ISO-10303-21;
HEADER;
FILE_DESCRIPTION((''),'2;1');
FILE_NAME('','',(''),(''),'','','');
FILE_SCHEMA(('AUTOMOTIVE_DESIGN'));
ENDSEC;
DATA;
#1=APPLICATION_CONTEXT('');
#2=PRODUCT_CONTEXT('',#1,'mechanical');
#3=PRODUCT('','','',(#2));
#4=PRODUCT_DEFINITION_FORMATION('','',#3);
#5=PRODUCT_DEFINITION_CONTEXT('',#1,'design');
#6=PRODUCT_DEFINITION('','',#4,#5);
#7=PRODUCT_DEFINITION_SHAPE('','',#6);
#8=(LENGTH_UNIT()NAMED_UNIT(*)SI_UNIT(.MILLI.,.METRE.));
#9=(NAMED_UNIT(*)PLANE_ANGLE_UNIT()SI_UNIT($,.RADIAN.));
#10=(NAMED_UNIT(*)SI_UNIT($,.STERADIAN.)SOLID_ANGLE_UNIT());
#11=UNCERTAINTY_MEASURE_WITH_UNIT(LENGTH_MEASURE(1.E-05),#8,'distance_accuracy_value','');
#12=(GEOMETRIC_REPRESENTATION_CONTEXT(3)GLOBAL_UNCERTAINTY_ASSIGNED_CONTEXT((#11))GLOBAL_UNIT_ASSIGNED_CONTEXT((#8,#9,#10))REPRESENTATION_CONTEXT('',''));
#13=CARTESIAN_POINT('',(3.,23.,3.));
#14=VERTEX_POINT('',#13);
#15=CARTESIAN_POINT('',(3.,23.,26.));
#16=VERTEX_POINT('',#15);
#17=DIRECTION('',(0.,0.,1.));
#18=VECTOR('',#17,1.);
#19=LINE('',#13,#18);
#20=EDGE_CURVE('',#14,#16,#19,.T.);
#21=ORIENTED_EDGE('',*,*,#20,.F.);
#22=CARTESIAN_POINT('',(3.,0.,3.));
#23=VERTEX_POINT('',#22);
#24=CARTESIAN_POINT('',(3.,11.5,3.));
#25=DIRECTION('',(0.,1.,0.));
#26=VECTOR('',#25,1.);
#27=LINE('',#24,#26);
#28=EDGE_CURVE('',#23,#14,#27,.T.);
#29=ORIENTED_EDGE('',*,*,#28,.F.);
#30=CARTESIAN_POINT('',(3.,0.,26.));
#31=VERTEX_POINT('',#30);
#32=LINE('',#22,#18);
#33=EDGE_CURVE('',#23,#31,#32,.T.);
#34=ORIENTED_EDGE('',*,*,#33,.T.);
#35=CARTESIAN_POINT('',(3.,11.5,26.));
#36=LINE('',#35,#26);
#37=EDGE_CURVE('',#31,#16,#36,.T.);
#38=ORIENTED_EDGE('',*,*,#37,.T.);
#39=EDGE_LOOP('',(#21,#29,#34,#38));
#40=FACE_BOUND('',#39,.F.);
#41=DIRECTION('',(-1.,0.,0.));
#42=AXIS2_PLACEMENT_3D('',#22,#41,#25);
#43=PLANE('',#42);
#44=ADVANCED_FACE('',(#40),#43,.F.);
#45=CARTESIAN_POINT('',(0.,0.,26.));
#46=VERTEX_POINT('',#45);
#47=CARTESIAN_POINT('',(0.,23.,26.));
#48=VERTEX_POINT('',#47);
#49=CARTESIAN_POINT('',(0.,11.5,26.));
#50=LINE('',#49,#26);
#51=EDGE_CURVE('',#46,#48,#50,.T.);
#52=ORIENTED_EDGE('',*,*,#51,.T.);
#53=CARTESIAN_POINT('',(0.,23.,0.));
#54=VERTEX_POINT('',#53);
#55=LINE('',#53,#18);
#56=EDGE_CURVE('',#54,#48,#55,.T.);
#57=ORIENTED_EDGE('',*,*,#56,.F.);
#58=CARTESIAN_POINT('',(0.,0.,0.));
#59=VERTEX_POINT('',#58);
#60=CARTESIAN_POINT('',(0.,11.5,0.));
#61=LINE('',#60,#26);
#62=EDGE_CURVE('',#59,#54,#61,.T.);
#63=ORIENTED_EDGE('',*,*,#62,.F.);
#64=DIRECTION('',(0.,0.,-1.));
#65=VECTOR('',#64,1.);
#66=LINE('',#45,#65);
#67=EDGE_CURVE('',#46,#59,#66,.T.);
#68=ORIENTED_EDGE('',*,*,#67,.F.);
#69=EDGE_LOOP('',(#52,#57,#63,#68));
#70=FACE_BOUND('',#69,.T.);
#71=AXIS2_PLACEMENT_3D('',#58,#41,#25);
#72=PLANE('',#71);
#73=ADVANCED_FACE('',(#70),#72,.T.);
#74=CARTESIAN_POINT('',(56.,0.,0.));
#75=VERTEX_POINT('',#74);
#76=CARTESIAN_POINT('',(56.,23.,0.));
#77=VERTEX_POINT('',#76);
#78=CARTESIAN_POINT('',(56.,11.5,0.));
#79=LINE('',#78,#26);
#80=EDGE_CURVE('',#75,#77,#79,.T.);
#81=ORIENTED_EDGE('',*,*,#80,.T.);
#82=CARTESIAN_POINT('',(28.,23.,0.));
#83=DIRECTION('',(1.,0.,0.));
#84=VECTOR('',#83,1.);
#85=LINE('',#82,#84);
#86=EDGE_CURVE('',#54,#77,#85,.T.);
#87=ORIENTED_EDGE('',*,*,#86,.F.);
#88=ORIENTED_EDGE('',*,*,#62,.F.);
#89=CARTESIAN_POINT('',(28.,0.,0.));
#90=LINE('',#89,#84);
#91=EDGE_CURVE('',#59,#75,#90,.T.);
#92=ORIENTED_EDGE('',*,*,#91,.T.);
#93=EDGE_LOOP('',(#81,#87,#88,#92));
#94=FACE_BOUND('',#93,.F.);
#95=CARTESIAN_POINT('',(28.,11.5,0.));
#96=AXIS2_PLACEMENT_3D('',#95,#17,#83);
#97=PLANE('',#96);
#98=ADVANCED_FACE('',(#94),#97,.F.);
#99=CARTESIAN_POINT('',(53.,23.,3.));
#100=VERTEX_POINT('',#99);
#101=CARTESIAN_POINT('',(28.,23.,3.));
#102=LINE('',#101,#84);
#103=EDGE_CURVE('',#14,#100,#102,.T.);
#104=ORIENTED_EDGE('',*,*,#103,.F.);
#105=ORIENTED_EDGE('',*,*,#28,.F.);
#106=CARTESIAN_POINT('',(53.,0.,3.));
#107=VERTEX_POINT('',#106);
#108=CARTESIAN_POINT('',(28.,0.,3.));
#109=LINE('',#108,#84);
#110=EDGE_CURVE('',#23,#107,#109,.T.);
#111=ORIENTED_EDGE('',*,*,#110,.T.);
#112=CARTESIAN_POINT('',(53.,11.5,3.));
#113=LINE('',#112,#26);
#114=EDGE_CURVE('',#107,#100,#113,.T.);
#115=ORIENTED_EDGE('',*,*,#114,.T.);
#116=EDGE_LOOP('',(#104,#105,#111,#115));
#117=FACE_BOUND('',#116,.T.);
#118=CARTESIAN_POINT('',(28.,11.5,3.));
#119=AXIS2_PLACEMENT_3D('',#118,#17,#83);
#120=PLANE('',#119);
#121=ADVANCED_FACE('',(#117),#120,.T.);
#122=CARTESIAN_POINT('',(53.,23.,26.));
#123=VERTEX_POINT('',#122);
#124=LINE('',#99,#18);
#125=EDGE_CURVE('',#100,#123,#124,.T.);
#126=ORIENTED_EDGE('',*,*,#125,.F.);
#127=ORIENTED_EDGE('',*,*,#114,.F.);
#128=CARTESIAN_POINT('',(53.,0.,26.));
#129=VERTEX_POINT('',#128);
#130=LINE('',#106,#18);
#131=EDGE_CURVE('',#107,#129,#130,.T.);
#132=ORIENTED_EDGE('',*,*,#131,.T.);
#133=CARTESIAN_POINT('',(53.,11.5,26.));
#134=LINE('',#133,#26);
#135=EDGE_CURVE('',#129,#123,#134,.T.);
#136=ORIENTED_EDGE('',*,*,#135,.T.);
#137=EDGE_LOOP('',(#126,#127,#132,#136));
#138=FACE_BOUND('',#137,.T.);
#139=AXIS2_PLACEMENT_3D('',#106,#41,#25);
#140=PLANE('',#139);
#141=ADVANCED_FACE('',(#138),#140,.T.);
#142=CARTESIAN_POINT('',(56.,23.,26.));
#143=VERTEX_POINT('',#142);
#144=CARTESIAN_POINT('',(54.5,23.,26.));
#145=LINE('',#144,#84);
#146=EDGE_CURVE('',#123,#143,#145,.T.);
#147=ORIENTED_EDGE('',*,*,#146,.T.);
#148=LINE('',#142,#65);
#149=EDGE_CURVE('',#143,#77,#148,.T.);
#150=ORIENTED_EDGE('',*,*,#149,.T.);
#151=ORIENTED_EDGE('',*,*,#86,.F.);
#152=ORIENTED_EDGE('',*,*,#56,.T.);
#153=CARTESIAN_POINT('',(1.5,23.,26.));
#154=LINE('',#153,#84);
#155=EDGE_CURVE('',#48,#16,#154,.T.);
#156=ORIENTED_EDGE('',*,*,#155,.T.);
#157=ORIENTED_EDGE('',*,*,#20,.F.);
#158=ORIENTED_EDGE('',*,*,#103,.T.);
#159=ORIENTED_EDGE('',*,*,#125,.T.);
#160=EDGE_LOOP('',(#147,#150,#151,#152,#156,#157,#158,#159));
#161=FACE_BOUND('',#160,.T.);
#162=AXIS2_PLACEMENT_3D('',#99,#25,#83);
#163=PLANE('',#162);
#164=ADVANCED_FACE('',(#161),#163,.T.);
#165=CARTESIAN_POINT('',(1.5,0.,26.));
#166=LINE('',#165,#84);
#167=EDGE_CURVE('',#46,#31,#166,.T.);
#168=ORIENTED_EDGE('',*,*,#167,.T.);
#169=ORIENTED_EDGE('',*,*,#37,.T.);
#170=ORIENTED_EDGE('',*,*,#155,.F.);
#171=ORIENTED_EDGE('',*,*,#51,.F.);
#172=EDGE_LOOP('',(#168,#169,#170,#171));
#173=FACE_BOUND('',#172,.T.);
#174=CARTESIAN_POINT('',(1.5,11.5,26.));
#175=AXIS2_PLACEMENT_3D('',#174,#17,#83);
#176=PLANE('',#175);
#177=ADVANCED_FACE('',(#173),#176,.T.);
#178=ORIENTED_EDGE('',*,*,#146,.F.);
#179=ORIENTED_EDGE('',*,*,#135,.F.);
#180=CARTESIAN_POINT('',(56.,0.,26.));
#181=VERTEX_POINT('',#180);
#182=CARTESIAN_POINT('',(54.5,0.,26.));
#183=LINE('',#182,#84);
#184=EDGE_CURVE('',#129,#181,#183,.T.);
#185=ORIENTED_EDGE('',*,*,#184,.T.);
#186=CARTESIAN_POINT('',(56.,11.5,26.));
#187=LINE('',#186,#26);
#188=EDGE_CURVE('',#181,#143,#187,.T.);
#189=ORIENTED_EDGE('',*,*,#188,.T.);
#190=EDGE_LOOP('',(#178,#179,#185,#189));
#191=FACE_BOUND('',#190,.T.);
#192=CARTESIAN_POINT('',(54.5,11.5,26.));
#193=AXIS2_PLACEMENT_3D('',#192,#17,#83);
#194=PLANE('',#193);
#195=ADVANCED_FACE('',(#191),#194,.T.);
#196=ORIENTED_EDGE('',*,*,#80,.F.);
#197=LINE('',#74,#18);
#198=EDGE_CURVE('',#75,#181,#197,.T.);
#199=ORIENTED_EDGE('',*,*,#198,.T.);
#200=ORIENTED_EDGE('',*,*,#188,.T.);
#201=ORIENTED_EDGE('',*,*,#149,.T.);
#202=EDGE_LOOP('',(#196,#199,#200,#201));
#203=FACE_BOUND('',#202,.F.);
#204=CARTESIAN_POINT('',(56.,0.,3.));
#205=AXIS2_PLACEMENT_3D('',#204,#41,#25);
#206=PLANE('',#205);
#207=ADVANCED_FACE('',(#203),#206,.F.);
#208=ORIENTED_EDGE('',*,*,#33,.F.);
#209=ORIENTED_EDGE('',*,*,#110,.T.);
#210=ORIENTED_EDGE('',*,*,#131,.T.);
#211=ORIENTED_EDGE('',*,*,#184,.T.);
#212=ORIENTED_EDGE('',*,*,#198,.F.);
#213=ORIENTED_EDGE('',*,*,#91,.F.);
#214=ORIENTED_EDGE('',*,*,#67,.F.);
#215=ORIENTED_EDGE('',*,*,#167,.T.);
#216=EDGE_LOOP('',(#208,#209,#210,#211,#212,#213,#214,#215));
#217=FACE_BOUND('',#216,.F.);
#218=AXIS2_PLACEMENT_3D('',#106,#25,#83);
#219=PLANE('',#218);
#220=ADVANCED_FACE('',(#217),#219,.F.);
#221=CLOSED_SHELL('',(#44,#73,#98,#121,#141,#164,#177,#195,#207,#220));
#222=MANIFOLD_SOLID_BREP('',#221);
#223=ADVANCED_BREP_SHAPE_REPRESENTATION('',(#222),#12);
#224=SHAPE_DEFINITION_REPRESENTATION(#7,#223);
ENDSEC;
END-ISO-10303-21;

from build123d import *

# Parameters (mm, degrees)
BOX_W         = 3
BOX_H         = 23
BOX_DEPTH     = 23
ARRAY_X_COUNT = 2
ARRAY_X_PITCH = 53
BOX001_W      = 56
BOX001_H      = 23
BOX001_DEPTH  = 3


with BuildPart() as baseandtoparray:
    # Box → Box (new body)
    with BuildSketch(Plane.XY.offset(3)):
        with Locations((1.5, 11.5)):
            Rectangle(BOX_W, BOX_H)
    extrude(amount=BOX_DEPTH)

    # Array X: baseAndTopArray ×2


with BuildPart() as baseandtoparray_1:
    add(baseandtoparray.part)
    with Locations(*[(i * ARRAY_X_PITCH, 0, 0) for i in range(1, ARRAY_X_COUNT)]):
        add(baseandtoparray.part)


with BuildPart() as servoholderforlaptop:
    # Box001 → Box001 (new body)
    with BuildSketch(Plane.XY):
        with Locations((28, 11.5)):
            Rectangle(BOX001_W, BOX001_H)
    extrude(amount=BOX001_DEPTH)

    # Fusion: union baseAndTopArray
    add(baseandtoparray_1.part)


solid = servoholderforlaptop.part
